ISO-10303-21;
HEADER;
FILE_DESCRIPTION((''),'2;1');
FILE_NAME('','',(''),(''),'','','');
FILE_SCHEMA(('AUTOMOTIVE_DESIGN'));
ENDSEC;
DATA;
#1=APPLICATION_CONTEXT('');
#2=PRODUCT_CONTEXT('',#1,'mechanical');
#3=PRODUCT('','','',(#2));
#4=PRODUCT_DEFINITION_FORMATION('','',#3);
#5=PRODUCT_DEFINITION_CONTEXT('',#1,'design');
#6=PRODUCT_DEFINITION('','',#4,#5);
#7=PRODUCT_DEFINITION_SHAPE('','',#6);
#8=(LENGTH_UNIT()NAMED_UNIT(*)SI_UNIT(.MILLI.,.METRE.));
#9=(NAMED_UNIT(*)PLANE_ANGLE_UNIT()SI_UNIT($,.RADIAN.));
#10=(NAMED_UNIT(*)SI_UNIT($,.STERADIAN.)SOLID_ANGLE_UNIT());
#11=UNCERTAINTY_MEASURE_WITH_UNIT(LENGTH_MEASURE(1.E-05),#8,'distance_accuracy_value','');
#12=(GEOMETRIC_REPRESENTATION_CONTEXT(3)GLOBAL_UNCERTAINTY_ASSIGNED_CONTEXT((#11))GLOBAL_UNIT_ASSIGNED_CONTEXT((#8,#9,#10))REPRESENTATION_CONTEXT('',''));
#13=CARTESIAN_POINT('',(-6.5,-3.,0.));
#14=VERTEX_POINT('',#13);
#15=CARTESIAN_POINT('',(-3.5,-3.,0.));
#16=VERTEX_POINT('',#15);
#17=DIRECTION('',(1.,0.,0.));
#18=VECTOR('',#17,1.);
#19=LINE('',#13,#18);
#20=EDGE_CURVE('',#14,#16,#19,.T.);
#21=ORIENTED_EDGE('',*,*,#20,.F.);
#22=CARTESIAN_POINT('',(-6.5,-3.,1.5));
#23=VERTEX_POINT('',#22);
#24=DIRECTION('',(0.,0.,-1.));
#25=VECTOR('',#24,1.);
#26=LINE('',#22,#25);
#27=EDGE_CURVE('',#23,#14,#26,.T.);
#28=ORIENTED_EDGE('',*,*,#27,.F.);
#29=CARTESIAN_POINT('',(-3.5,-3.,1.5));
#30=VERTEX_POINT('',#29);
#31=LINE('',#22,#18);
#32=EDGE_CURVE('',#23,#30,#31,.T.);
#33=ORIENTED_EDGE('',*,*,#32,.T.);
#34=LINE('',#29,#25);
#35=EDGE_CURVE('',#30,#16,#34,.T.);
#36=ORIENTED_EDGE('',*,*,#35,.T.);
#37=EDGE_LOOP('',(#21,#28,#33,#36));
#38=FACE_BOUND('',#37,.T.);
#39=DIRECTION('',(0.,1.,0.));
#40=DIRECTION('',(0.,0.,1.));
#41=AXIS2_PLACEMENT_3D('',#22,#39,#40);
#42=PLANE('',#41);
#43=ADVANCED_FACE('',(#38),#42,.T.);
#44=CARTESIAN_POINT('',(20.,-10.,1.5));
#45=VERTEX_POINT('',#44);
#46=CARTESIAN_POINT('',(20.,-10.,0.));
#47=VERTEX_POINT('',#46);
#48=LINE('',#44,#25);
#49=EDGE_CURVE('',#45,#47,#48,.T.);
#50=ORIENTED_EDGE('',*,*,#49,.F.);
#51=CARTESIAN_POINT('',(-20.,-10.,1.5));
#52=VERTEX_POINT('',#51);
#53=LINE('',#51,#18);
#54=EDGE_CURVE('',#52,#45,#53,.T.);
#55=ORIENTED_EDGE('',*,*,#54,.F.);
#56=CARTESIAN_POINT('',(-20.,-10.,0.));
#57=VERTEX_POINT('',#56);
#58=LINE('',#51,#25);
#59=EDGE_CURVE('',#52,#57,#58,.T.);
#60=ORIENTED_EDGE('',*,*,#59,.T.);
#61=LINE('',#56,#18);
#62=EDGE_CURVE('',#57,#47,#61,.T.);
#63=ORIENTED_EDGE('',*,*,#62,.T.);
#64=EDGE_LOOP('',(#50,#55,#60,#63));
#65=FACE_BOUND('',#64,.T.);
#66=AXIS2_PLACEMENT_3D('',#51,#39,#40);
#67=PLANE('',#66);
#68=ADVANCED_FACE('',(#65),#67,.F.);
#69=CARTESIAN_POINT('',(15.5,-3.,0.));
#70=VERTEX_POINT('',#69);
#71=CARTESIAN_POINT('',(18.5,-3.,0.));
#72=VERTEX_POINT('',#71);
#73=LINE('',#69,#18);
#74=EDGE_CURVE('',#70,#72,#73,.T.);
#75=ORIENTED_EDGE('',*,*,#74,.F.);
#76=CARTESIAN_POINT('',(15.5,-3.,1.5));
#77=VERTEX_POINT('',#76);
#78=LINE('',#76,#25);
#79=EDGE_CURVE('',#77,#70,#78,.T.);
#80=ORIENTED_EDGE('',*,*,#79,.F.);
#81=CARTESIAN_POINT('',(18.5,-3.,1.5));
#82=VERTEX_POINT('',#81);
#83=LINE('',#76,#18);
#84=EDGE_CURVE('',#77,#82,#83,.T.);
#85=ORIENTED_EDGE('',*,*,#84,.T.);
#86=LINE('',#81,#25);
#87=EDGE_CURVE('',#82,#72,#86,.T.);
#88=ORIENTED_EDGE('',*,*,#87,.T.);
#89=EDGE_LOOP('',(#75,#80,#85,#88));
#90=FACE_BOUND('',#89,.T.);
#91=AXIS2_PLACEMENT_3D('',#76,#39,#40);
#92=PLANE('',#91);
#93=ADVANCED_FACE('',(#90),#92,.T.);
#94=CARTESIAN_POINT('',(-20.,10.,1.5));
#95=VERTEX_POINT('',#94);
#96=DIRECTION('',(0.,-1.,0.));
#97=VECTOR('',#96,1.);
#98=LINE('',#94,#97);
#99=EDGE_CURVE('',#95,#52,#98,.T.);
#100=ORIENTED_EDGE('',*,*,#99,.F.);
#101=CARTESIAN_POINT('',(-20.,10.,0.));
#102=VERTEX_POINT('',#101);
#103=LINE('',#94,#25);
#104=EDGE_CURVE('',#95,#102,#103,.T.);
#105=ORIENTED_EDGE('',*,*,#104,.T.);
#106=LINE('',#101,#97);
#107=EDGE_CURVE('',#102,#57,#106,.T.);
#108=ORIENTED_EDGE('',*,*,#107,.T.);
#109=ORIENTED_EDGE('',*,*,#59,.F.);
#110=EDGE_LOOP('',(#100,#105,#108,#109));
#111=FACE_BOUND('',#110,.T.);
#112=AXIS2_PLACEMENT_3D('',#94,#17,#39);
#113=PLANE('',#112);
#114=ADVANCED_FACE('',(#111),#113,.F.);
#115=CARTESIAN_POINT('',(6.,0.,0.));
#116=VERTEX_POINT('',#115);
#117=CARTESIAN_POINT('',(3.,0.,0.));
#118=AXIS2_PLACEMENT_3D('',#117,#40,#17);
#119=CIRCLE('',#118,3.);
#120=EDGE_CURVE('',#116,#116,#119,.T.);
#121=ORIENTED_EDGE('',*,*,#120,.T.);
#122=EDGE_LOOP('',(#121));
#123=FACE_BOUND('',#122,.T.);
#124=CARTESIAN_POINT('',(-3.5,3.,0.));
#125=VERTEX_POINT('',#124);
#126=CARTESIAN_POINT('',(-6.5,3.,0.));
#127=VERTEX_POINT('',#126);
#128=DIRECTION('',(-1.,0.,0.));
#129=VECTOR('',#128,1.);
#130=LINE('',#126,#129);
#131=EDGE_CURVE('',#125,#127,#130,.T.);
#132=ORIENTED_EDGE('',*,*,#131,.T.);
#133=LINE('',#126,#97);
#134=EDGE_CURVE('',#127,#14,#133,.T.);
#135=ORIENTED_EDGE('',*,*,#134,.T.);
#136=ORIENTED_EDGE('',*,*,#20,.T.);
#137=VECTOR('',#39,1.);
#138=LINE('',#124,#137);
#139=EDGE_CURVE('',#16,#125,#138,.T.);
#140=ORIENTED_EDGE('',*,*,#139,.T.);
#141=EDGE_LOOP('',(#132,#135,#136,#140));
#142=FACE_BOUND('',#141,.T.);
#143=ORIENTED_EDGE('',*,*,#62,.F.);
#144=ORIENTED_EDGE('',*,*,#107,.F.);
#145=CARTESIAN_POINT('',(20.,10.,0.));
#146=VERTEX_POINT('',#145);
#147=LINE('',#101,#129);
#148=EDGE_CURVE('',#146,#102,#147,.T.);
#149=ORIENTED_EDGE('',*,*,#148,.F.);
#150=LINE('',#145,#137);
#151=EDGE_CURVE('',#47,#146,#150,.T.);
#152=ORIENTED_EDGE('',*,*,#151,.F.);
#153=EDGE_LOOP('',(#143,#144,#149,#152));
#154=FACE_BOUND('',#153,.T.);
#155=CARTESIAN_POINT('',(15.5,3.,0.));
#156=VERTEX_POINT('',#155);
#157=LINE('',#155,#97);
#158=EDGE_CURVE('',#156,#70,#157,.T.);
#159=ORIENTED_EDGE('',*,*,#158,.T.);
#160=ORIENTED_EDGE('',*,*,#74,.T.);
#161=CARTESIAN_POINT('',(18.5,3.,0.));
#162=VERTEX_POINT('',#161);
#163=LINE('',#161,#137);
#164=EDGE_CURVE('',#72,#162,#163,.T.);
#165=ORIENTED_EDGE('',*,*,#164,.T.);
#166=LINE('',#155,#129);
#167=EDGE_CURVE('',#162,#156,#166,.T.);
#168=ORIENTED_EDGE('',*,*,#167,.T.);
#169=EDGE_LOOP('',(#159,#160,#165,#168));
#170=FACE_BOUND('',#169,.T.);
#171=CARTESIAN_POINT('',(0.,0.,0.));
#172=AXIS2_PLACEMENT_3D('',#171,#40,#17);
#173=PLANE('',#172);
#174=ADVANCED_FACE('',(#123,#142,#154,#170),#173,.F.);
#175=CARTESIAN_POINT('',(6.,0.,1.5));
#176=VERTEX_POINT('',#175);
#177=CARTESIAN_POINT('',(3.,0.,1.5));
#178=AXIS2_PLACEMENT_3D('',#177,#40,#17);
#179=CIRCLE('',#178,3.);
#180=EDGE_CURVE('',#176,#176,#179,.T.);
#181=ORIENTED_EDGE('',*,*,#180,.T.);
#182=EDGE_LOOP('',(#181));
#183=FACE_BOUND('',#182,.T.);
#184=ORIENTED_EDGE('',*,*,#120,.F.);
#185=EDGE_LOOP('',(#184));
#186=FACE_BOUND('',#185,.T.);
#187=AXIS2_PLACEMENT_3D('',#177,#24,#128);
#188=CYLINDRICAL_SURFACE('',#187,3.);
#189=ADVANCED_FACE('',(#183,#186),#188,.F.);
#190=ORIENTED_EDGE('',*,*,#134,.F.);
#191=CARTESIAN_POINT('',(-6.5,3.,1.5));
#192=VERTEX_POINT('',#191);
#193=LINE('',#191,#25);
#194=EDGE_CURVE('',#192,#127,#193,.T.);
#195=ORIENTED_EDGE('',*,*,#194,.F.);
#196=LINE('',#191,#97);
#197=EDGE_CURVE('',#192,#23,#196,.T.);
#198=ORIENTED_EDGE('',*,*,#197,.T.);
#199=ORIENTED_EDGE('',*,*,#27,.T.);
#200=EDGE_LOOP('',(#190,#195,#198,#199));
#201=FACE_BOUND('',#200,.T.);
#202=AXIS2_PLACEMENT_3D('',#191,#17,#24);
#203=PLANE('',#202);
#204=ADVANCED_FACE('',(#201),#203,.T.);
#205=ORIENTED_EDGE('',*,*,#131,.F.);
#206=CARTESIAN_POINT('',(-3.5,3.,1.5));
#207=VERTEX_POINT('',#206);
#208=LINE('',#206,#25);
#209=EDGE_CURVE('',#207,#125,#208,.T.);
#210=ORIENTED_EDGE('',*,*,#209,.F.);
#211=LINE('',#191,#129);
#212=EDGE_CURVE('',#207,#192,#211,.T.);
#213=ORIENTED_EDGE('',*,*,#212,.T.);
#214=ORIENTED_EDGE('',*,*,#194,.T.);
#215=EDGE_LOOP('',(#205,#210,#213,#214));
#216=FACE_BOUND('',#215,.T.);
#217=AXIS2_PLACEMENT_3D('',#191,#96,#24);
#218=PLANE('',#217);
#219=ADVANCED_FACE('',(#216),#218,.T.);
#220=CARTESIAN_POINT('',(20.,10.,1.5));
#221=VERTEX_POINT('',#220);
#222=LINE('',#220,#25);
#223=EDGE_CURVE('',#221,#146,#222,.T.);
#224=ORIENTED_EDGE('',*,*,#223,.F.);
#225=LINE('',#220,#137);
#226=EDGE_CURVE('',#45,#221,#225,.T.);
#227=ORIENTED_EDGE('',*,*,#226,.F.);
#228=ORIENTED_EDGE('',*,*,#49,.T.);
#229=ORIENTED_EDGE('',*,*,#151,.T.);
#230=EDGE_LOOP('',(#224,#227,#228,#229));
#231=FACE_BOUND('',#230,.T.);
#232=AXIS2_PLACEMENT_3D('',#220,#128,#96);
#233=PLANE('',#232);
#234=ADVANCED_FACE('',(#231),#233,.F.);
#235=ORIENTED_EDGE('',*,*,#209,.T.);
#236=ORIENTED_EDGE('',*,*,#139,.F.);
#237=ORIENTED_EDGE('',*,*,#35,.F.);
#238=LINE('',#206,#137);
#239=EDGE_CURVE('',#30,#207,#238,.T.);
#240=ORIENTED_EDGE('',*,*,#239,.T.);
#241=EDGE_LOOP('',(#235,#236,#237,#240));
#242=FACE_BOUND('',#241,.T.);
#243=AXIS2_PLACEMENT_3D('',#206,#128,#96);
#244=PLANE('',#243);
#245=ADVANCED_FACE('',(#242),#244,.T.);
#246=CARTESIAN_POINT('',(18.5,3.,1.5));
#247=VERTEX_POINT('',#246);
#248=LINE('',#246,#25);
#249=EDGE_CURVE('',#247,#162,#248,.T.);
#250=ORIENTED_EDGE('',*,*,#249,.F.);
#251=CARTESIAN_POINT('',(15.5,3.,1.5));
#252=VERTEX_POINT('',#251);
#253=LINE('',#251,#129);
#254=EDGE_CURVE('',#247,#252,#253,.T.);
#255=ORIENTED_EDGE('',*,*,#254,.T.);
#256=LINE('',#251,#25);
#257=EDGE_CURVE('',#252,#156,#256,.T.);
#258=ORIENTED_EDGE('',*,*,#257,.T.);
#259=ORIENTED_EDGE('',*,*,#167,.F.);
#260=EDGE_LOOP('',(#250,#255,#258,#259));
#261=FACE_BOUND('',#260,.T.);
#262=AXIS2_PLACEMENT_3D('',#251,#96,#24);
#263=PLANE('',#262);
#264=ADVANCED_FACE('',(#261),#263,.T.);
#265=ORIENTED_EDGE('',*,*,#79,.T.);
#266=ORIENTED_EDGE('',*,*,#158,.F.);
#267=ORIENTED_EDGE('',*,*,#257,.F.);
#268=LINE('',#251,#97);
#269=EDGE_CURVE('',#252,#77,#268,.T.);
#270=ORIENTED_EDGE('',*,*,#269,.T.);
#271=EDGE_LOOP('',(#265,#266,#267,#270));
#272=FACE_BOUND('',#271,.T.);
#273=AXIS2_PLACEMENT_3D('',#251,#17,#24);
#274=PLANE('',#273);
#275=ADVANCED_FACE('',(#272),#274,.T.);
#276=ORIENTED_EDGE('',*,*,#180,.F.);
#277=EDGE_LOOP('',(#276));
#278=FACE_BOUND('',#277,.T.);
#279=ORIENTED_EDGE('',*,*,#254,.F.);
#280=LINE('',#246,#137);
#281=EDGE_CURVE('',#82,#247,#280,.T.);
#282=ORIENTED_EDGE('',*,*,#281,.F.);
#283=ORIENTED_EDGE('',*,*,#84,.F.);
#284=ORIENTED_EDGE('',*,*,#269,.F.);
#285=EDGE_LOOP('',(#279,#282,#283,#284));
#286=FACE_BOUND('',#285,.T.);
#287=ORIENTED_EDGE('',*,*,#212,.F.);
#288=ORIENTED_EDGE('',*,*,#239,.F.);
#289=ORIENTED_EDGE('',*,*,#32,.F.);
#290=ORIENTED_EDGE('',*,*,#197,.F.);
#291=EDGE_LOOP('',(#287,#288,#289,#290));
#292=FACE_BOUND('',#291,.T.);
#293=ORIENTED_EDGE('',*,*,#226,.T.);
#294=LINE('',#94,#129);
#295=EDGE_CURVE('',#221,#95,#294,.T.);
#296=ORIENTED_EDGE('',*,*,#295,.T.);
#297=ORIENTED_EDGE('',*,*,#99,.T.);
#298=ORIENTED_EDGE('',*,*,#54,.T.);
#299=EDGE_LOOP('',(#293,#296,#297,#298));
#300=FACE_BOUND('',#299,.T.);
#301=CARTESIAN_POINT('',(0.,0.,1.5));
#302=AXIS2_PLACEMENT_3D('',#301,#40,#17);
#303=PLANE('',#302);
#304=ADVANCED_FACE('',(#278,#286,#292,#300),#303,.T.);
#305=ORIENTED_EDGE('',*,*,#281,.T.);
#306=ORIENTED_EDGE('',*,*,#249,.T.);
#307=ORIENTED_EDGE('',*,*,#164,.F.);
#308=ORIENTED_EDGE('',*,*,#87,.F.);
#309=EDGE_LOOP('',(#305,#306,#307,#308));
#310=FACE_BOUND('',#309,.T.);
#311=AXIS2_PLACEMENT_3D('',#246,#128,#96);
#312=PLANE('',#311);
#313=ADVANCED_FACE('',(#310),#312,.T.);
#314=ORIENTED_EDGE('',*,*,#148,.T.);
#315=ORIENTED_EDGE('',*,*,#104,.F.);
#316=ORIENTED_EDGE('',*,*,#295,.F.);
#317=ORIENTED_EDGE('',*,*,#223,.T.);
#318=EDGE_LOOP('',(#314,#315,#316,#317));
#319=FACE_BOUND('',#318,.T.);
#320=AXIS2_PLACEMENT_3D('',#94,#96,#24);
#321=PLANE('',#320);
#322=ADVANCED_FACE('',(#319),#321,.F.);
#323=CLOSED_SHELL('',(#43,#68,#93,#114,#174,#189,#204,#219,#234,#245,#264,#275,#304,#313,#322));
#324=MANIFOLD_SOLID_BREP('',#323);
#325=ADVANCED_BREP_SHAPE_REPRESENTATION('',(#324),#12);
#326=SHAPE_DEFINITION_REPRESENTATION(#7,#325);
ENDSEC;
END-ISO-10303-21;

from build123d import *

# Parameters (mm, degrees)
SKETCH_1_W      = 40
SKETCH_1_H      = 20
SKETCH_1_R      = 3
SKETCH_1_W_2    = 3
SKETCH_1_H_2    = 6
EXTRUDE_1_DEPTH = 1.5


with BuildPart() as part:
    # 草图1 → 凸台-拉伸1 (new body)
    with BuildSketch(Plane.XY):
        Rectangle(SKETCH_1_W, SKETCH_1_H)
        with Locations((3, 0)):
            Circle(SKETCH_1_R, mode=Mode.SUBTRACT)
        with Locations((-5, 0)):
            Rectangle(SKETCH_1_W_2, SKETCH_1_H_2, mode=Mode.SUBTRACT)
        with Locations((17, 0)):
            Rectangle(SKETCH_1_W_2, SKETCH_1_H_2, mode=Mode.SUBTRACT)
    extrude(amount=EXTRUDE_1_DEPTH)


solid = part.part
